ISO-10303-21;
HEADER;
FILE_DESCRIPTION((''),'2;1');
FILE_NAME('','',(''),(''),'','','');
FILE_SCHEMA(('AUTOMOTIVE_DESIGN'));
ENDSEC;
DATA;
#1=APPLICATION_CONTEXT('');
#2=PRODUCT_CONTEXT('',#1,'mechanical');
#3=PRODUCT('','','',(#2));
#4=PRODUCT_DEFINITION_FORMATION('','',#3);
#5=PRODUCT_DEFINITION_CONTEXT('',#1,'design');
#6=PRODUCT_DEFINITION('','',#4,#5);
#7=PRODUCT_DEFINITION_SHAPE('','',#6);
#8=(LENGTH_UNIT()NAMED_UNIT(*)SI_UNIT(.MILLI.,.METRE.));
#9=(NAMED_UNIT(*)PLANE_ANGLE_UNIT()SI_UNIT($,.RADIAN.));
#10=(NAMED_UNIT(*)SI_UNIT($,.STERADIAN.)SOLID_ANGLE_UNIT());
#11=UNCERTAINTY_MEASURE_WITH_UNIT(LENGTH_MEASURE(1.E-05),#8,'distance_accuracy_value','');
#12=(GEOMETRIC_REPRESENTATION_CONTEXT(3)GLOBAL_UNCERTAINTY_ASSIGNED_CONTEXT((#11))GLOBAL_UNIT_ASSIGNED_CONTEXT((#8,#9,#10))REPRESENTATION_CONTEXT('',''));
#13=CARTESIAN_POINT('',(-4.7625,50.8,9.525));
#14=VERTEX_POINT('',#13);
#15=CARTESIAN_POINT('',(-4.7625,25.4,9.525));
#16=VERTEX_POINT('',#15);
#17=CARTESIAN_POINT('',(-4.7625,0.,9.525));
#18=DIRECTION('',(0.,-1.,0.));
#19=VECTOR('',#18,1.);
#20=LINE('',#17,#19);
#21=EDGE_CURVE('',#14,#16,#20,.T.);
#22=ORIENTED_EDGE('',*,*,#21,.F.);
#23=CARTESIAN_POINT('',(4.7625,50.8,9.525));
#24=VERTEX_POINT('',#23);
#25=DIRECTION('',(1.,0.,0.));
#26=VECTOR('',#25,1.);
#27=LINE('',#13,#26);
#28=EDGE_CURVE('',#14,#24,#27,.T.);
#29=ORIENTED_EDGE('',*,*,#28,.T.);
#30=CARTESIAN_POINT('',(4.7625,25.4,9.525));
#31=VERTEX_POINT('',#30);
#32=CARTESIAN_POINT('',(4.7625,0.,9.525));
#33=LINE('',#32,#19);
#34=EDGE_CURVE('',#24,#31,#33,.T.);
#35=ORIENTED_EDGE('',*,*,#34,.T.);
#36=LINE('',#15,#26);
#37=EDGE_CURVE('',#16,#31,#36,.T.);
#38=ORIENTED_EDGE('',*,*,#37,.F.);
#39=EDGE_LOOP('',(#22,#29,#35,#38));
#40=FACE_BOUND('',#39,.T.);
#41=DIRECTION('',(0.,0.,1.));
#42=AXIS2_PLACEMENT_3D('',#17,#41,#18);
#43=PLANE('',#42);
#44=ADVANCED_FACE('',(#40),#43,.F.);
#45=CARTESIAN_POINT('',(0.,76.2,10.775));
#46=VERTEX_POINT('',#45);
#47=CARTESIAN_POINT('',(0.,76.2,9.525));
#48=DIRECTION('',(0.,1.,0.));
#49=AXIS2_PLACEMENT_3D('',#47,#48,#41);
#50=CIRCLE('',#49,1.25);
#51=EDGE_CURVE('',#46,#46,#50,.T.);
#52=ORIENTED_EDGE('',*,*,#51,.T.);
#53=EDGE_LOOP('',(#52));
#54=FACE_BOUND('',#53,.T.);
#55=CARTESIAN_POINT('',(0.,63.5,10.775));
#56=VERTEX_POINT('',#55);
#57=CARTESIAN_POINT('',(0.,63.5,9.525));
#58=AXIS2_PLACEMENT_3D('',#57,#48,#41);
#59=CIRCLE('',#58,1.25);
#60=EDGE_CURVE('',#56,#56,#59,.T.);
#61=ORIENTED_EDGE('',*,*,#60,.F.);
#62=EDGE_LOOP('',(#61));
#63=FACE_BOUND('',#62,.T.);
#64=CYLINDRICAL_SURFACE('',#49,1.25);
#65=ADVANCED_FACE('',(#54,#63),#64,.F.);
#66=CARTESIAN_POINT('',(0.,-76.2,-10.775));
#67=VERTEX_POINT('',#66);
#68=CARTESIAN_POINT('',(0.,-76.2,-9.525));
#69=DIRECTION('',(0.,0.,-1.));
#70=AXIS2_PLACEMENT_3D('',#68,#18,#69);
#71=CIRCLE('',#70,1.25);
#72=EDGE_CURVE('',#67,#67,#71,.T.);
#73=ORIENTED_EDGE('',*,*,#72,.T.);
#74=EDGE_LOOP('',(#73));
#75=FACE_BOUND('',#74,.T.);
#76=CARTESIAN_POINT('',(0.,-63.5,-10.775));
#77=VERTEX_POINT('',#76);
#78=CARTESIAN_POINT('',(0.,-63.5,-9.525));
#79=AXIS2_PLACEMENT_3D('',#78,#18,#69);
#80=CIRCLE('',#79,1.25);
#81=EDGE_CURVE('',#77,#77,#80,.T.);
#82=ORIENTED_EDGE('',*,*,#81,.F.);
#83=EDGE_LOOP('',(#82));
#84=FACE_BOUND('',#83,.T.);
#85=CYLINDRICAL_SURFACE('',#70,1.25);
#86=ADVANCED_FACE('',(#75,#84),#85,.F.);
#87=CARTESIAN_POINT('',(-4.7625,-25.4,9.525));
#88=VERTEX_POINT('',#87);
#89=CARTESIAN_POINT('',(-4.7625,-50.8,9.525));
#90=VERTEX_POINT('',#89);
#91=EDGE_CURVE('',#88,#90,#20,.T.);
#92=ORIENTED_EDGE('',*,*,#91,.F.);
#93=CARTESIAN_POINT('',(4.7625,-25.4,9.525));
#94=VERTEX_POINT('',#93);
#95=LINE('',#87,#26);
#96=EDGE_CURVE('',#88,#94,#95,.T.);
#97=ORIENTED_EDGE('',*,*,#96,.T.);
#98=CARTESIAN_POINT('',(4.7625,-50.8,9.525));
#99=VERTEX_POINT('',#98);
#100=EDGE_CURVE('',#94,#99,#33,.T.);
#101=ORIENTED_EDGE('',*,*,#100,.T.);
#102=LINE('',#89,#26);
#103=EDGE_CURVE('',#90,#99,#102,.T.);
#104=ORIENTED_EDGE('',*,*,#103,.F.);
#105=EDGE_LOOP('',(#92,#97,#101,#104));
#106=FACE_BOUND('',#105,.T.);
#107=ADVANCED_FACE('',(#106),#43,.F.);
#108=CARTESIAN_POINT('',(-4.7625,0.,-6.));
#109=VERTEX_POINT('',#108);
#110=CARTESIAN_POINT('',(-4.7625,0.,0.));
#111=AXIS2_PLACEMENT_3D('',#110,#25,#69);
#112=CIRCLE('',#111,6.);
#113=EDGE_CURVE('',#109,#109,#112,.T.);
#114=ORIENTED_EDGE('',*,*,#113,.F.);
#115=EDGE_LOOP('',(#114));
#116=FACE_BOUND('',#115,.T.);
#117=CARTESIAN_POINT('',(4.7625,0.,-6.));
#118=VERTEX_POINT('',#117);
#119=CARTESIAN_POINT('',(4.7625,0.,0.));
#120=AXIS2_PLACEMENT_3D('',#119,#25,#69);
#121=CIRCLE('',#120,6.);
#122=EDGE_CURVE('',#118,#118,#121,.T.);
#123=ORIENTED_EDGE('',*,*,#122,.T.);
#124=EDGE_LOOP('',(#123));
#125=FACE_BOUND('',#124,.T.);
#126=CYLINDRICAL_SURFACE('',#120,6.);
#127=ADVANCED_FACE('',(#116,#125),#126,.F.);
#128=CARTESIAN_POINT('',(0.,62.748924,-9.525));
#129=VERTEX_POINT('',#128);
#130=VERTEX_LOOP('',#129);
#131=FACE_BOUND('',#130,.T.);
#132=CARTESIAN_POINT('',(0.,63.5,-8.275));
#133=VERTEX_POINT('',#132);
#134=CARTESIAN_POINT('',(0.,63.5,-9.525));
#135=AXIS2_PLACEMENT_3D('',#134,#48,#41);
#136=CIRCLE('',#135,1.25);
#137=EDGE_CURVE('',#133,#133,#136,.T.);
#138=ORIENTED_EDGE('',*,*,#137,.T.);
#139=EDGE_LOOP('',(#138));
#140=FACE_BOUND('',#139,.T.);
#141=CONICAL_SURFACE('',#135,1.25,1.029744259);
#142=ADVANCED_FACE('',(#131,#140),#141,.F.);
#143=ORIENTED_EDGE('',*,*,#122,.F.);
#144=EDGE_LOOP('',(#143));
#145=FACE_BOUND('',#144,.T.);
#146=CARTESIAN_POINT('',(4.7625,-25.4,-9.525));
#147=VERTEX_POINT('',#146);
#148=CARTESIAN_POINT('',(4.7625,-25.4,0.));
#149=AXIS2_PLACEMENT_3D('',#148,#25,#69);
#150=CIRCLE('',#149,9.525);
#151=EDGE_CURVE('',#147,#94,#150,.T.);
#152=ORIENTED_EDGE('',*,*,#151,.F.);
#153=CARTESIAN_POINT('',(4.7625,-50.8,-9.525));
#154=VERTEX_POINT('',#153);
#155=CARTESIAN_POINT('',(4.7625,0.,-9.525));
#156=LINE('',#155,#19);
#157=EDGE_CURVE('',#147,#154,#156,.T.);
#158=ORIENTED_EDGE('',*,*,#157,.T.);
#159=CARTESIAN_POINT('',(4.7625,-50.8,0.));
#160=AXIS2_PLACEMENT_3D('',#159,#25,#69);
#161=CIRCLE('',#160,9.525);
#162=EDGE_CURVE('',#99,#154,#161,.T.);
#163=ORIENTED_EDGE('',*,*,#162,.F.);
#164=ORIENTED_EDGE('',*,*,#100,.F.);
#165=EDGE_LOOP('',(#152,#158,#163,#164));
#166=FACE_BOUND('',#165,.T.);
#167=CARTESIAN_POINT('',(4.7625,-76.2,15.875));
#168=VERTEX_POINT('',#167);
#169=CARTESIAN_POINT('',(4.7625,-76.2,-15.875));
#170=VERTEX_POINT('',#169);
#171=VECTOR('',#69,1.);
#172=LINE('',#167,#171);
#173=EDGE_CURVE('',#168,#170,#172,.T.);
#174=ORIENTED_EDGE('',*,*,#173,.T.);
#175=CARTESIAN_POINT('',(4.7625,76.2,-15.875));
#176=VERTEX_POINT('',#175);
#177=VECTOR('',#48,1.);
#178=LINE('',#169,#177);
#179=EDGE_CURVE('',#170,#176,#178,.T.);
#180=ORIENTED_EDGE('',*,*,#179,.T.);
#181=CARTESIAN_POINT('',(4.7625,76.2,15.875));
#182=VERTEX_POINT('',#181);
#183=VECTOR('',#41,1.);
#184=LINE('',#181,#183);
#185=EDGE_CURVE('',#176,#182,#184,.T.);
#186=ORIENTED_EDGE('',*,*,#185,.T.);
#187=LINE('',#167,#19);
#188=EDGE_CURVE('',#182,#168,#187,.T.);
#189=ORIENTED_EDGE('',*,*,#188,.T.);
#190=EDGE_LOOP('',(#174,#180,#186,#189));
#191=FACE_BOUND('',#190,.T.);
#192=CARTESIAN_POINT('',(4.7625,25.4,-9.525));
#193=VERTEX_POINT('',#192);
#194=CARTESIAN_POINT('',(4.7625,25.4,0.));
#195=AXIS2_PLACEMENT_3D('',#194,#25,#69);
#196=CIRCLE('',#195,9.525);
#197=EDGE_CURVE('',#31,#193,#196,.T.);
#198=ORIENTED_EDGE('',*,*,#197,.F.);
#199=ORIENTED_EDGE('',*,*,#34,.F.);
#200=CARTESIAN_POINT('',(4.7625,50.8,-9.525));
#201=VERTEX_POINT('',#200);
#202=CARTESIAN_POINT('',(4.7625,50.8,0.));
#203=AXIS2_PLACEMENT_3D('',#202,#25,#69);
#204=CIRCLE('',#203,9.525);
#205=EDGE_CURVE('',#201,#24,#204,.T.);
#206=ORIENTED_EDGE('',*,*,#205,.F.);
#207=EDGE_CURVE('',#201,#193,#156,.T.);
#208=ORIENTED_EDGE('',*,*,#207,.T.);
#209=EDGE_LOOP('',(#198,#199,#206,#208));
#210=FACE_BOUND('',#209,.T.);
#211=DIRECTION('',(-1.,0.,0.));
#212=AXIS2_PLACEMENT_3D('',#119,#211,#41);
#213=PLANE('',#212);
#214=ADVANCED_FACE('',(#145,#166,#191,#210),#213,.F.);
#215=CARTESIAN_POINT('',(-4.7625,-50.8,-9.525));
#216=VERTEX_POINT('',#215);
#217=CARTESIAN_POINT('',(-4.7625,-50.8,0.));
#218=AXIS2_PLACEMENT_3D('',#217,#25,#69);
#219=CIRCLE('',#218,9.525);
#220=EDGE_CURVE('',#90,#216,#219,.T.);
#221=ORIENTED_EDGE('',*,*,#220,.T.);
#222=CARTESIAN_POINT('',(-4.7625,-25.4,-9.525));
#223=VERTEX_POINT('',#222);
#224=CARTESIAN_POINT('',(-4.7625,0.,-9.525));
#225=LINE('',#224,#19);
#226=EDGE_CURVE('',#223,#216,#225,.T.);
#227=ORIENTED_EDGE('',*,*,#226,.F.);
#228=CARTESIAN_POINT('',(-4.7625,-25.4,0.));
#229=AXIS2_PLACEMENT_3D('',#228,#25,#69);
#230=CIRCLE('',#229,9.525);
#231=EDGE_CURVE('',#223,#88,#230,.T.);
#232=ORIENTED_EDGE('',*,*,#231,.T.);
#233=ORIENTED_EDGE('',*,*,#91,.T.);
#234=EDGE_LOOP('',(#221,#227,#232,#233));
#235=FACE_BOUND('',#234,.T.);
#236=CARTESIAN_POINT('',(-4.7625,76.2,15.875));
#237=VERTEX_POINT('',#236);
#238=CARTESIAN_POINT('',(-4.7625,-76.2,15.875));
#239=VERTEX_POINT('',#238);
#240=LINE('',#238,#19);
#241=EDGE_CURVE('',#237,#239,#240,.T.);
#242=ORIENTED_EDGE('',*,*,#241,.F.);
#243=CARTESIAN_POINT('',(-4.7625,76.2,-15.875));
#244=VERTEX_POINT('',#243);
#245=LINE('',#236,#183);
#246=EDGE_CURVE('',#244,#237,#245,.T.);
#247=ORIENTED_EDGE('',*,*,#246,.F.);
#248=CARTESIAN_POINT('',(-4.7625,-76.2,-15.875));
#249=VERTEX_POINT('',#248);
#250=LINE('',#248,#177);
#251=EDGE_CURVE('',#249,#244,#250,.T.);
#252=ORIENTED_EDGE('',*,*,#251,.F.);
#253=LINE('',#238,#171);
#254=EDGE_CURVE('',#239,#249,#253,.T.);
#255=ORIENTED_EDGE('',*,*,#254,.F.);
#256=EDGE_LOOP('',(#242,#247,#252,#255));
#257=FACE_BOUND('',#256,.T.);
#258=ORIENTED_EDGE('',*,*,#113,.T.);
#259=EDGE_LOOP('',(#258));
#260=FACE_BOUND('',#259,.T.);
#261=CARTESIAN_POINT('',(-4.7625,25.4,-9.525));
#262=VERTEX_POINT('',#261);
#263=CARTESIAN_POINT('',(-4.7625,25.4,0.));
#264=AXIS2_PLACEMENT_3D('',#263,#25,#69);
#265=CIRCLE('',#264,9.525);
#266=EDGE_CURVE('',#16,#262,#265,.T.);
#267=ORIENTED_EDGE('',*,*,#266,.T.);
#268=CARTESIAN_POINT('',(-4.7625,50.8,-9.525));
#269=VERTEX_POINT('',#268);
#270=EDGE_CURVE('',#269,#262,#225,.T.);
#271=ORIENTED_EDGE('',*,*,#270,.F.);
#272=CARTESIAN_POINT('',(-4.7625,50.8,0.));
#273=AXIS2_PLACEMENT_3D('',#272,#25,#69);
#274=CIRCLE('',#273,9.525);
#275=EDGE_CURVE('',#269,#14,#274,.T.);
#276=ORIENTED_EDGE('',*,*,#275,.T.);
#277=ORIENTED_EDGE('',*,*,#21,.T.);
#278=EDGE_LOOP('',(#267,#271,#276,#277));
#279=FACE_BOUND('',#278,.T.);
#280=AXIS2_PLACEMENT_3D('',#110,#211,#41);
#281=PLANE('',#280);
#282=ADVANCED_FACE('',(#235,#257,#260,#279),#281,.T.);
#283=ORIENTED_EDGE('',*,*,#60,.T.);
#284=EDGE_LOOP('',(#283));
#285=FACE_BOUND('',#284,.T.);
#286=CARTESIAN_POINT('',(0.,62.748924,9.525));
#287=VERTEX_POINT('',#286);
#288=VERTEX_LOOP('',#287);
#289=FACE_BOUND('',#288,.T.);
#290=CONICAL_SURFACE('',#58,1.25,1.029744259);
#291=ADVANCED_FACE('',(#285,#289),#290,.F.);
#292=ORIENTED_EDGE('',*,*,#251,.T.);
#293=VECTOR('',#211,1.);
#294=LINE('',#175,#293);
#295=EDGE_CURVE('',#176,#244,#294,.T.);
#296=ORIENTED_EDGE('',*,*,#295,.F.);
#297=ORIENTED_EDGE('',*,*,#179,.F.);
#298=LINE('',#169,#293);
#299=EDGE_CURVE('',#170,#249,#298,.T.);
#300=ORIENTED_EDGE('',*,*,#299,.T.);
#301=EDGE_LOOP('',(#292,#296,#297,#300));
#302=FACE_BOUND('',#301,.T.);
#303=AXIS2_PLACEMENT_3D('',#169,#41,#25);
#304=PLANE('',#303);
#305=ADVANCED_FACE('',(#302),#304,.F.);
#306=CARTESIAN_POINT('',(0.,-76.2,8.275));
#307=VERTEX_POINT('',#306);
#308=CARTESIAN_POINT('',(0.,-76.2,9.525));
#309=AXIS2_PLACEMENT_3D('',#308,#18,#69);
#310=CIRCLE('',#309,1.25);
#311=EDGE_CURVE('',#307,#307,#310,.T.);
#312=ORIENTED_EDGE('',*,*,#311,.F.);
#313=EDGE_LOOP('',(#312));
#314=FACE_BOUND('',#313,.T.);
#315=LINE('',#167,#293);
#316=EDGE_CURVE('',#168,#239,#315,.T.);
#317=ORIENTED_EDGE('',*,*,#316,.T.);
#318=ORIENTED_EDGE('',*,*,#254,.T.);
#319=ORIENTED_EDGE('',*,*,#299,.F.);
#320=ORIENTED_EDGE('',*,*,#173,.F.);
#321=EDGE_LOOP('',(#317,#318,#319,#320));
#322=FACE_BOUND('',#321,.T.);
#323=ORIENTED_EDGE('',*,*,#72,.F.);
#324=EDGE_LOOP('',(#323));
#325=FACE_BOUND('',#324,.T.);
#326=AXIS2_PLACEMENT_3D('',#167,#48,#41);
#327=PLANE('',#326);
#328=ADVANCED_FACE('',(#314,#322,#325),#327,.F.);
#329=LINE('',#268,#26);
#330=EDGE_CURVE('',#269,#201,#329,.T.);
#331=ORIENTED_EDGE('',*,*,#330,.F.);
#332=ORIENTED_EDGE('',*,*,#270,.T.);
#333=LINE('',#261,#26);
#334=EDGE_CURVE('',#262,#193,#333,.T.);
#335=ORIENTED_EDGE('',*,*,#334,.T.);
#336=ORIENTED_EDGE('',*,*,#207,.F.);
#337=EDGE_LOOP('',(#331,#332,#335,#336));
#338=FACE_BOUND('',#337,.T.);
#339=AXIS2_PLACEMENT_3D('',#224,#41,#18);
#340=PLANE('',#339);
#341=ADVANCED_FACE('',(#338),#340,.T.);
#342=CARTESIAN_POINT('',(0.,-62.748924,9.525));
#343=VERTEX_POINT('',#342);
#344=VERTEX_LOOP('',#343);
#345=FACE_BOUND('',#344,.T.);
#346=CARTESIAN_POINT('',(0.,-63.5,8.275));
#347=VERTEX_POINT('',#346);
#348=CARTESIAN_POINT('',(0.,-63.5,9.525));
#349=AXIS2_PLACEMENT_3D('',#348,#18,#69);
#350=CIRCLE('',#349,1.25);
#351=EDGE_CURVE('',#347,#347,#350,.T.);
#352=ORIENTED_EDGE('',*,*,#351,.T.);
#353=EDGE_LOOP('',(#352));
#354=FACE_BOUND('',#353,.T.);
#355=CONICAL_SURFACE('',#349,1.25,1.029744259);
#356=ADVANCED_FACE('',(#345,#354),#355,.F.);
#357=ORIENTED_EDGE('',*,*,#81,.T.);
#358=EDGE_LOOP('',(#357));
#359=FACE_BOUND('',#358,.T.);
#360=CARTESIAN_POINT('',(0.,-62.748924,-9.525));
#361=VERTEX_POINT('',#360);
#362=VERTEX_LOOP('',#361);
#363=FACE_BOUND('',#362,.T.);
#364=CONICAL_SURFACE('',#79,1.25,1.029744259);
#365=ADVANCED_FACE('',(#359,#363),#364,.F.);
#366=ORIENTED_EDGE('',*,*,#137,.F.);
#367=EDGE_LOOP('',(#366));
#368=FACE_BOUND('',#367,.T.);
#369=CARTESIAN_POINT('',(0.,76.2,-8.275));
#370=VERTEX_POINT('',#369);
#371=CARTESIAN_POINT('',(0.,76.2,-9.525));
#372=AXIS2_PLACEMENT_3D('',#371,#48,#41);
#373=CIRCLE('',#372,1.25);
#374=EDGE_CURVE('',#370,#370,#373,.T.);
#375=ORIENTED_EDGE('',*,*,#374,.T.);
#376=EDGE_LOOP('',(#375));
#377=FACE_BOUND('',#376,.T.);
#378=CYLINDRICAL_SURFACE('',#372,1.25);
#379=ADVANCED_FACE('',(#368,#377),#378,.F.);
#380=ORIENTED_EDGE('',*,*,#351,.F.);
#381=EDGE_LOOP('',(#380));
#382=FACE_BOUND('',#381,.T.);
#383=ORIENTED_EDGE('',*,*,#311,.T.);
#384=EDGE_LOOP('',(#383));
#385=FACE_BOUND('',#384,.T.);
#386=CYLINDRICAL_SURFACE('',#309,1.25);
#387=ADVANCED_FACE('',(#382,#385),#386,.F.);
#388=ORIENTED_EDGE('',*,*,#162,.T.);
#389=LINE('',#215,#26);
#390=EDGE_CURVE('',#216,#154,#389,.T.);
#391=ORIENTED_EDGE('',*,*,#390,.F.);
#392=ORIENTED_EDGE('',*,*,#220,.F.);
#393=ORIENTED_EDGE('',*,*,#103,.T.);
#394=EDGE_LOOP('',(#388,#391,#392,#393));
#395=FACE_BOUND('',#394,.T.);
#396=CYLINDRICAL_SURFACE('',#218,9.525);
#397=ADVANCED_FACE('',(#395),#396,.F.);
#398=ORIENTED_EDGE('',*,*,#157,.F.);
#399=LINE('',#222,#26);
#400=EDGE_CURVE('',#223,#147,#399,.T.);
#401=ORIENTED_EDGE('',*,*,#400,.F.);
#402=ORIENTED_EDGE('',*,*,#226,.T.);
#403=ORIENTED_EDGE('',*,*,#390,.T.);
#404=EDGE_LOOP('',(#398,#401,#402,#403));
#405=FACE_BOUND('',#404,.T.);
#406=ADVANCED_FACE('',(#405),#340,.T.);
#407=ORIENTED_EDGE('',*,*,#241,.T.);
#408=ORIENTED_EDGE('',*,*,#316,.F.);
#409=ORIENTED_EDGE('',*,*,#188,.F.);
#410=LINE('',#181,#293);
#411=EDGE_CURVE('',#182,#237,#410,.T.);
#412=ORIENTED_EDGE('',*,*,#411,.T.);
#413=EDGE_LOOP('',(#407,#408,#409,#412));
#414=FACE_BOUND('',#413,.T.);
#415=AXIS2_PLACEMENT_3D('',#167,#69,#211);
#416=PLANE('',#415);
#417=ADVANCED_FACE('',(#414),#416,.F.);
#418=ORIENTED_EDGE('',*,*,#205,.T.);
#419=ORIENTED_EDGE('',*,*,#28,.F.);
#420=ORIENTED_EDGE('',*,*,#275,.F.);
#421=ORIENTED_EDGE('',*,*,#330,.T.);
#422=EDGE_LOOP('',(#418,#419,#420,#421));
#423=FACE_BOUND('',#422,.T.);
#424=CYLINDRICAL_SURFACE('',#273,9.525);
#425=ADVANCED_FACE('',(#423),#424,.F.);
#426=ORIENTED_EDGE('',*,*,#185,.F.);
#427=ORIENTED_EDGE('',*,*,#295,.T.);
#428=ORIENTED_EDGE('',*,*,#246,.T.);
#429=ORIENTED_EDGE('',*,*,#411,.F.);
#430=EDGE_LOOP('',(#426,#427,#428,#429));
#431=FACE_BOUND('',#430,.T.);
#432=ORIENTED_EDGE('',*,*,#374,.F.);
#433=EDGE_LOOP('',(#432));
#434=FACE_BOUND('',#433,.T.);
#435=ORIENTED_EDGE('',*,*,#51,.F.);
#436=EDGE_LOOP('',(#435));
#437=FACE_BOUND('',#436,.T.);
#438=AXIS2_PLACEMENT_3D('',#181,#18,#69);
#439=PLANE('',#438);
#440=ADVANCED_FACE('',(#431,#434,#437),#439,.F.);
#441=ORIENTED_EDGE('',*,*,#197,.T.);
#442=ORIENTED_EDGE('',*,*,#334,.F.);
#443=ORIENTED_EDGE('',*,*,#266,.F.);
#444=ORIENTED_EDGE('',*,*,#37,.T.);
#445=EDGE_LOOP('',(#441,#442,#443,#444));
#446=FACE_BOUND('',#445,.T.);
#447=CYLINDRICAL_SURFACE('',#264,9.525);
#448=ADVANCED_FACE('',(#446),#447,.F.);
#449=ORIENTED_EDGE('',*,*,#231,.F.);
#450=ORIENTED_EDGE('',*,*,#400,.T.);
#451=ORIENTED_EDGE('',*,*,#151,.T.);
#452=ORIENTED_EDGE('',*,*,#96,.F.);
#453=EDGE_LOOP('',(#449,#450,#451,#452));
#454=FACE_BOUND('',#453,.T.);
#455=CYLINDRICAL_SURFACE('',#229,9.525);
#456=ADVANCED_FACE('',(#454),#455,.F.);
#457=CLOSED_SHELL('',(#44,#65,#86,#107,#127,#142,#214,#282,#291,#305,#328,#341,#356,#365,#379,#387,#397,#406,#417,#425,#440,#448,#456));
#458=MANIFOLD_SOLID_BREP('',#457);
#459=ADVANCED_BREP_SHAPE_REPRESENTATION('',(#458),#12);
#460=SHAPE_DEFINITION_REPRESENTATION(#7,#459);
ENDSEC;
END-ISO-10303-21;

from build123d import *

# Parameters (mm, degrees)
SKETCH1_W                      = 31.75
SKETCH1_H                      = 152.4
BOSS_EXTRUDE1_DEPTH            = 4.7625
M3X0_5_TAPPED_HOLE1_AT_2_COUNT = 2
M3X0_5_TAPPED_HOLE1_AT_2_PITCH = 19.05
F_12_0MM_DOWEL_HOLE1_D         = 12
CUT_EXTRUDE1_DEPTH             = 79.416715374


with BuildPart() as part:
    # Sketch1 → Boss-Extrude1 (new, symmetric)
    with BuildSketch(Plane(origin=(0, 0, 0), x_dir=(0, 0, -1), z_dir=(1, 0, 0))):
        Rectangle(SKETCH1_W, SKETCH1_H)
    extrude(amount=BOSS_EXTRUDE1_DEPTH, both=True)

    # Sketch4 → M3x0.5 Tapped Hole1 (revolve, cut)
    with BuildSketch(Plane(origin=(0, 76.2, -9.525), x_dir=(0, 0, 1), z_dir=(1, 0, 0))):
        Polygon((0, 0), (0, 13.451075774), (1.25, 12.7), (1.25, 0), align=None)
    m3x0_5_tapped_hole1 = revolve(axis=Axis((0, 82.55, -9.525), (0, -1, 0)), mode=Mode.SUBTRACT)

    # M3x0.5 Tapped Hole1 at 2: M3x0.5 Tapped Hole1 ×2
    with Locations(*[(0, 0, i * M3X0_5_TAPPED_HOLE1_AT_2_PITCH) for i in range(1, M3X0_5_TAPPED_HOLE1_AT_2_COUNT)]):
        add(m3x0_5_tapped_hole1, mode=Mode.SUBTRACT)

    # Mirror1: M3x0.5 Tapped Hole1 across plane
    add(m3x0_5_tapped_hole1.mirror(Plane.ZX), mode=Mode.SUBTRACT)

    # Mirror1 copy 1 sketch → Mirror1 copy 1 (revolve, cut)
    with BuildSketch(Plane(origin=(0, -76.2, 9.525), x_dir=(0, 0, 1), z_dir=(1, 0, 0))):
        Polygon((0, 0), (0, -13.451075774), (1.25, -12.7), (1.25, 0), align=None)
    revolve(axis=Axis((0, -82.55, 9.525), (0, -1, 0)), mode=Mode.SUBTRACT)

    # Ø12.0mm Dowel Hole1 (through all)
    with Locations(Plane(origin=(4.7625, 0, 0), x_dir=(0, 0, -1), z_dir=(1, 0, 0))):
        with Locations((0, 0)):
            Hole(F_12_0MM_DOWEL_HOLE1_D / 2)

    # Sketch9 → Cut-Extrude1 (cut, through all)
    with BuildSketch(Plane(origin=(4.7625, 0, 0), x_dir=(0, 0, -1), z_dir=(1, 0, 0))):
        with BuildLine():
            Line((9.525, 50.8), (9.525, 25.4))
            ThreePointArc((9.525, 25.4), (0, 15.875), (-9.525, 25.4))
            Line((-9.525, 25.4), (-9.525, 50.8))
            ThreePointArc((-9.525, 50.8), (0, 60.325), (9.525, 50.8))
        make_face()
        with BuildLine():
            Line((9.525, -25.4), (9.525, -50.8))
            ThreePointArc((9.525, -50.8), (0, -60.325), (-9.525, -50.8))
            Line((-9.525, -50.8), (-9.525, -25.4))
            ThreePointArc((-9.525, -25.4), (0, -15.875), (9.525, -25.4))
        make_face()
    extrude(amount=-CUT_EXTRUDE1_DEPTH, mode=Mode.SUBTRACT)


solid = part.part
